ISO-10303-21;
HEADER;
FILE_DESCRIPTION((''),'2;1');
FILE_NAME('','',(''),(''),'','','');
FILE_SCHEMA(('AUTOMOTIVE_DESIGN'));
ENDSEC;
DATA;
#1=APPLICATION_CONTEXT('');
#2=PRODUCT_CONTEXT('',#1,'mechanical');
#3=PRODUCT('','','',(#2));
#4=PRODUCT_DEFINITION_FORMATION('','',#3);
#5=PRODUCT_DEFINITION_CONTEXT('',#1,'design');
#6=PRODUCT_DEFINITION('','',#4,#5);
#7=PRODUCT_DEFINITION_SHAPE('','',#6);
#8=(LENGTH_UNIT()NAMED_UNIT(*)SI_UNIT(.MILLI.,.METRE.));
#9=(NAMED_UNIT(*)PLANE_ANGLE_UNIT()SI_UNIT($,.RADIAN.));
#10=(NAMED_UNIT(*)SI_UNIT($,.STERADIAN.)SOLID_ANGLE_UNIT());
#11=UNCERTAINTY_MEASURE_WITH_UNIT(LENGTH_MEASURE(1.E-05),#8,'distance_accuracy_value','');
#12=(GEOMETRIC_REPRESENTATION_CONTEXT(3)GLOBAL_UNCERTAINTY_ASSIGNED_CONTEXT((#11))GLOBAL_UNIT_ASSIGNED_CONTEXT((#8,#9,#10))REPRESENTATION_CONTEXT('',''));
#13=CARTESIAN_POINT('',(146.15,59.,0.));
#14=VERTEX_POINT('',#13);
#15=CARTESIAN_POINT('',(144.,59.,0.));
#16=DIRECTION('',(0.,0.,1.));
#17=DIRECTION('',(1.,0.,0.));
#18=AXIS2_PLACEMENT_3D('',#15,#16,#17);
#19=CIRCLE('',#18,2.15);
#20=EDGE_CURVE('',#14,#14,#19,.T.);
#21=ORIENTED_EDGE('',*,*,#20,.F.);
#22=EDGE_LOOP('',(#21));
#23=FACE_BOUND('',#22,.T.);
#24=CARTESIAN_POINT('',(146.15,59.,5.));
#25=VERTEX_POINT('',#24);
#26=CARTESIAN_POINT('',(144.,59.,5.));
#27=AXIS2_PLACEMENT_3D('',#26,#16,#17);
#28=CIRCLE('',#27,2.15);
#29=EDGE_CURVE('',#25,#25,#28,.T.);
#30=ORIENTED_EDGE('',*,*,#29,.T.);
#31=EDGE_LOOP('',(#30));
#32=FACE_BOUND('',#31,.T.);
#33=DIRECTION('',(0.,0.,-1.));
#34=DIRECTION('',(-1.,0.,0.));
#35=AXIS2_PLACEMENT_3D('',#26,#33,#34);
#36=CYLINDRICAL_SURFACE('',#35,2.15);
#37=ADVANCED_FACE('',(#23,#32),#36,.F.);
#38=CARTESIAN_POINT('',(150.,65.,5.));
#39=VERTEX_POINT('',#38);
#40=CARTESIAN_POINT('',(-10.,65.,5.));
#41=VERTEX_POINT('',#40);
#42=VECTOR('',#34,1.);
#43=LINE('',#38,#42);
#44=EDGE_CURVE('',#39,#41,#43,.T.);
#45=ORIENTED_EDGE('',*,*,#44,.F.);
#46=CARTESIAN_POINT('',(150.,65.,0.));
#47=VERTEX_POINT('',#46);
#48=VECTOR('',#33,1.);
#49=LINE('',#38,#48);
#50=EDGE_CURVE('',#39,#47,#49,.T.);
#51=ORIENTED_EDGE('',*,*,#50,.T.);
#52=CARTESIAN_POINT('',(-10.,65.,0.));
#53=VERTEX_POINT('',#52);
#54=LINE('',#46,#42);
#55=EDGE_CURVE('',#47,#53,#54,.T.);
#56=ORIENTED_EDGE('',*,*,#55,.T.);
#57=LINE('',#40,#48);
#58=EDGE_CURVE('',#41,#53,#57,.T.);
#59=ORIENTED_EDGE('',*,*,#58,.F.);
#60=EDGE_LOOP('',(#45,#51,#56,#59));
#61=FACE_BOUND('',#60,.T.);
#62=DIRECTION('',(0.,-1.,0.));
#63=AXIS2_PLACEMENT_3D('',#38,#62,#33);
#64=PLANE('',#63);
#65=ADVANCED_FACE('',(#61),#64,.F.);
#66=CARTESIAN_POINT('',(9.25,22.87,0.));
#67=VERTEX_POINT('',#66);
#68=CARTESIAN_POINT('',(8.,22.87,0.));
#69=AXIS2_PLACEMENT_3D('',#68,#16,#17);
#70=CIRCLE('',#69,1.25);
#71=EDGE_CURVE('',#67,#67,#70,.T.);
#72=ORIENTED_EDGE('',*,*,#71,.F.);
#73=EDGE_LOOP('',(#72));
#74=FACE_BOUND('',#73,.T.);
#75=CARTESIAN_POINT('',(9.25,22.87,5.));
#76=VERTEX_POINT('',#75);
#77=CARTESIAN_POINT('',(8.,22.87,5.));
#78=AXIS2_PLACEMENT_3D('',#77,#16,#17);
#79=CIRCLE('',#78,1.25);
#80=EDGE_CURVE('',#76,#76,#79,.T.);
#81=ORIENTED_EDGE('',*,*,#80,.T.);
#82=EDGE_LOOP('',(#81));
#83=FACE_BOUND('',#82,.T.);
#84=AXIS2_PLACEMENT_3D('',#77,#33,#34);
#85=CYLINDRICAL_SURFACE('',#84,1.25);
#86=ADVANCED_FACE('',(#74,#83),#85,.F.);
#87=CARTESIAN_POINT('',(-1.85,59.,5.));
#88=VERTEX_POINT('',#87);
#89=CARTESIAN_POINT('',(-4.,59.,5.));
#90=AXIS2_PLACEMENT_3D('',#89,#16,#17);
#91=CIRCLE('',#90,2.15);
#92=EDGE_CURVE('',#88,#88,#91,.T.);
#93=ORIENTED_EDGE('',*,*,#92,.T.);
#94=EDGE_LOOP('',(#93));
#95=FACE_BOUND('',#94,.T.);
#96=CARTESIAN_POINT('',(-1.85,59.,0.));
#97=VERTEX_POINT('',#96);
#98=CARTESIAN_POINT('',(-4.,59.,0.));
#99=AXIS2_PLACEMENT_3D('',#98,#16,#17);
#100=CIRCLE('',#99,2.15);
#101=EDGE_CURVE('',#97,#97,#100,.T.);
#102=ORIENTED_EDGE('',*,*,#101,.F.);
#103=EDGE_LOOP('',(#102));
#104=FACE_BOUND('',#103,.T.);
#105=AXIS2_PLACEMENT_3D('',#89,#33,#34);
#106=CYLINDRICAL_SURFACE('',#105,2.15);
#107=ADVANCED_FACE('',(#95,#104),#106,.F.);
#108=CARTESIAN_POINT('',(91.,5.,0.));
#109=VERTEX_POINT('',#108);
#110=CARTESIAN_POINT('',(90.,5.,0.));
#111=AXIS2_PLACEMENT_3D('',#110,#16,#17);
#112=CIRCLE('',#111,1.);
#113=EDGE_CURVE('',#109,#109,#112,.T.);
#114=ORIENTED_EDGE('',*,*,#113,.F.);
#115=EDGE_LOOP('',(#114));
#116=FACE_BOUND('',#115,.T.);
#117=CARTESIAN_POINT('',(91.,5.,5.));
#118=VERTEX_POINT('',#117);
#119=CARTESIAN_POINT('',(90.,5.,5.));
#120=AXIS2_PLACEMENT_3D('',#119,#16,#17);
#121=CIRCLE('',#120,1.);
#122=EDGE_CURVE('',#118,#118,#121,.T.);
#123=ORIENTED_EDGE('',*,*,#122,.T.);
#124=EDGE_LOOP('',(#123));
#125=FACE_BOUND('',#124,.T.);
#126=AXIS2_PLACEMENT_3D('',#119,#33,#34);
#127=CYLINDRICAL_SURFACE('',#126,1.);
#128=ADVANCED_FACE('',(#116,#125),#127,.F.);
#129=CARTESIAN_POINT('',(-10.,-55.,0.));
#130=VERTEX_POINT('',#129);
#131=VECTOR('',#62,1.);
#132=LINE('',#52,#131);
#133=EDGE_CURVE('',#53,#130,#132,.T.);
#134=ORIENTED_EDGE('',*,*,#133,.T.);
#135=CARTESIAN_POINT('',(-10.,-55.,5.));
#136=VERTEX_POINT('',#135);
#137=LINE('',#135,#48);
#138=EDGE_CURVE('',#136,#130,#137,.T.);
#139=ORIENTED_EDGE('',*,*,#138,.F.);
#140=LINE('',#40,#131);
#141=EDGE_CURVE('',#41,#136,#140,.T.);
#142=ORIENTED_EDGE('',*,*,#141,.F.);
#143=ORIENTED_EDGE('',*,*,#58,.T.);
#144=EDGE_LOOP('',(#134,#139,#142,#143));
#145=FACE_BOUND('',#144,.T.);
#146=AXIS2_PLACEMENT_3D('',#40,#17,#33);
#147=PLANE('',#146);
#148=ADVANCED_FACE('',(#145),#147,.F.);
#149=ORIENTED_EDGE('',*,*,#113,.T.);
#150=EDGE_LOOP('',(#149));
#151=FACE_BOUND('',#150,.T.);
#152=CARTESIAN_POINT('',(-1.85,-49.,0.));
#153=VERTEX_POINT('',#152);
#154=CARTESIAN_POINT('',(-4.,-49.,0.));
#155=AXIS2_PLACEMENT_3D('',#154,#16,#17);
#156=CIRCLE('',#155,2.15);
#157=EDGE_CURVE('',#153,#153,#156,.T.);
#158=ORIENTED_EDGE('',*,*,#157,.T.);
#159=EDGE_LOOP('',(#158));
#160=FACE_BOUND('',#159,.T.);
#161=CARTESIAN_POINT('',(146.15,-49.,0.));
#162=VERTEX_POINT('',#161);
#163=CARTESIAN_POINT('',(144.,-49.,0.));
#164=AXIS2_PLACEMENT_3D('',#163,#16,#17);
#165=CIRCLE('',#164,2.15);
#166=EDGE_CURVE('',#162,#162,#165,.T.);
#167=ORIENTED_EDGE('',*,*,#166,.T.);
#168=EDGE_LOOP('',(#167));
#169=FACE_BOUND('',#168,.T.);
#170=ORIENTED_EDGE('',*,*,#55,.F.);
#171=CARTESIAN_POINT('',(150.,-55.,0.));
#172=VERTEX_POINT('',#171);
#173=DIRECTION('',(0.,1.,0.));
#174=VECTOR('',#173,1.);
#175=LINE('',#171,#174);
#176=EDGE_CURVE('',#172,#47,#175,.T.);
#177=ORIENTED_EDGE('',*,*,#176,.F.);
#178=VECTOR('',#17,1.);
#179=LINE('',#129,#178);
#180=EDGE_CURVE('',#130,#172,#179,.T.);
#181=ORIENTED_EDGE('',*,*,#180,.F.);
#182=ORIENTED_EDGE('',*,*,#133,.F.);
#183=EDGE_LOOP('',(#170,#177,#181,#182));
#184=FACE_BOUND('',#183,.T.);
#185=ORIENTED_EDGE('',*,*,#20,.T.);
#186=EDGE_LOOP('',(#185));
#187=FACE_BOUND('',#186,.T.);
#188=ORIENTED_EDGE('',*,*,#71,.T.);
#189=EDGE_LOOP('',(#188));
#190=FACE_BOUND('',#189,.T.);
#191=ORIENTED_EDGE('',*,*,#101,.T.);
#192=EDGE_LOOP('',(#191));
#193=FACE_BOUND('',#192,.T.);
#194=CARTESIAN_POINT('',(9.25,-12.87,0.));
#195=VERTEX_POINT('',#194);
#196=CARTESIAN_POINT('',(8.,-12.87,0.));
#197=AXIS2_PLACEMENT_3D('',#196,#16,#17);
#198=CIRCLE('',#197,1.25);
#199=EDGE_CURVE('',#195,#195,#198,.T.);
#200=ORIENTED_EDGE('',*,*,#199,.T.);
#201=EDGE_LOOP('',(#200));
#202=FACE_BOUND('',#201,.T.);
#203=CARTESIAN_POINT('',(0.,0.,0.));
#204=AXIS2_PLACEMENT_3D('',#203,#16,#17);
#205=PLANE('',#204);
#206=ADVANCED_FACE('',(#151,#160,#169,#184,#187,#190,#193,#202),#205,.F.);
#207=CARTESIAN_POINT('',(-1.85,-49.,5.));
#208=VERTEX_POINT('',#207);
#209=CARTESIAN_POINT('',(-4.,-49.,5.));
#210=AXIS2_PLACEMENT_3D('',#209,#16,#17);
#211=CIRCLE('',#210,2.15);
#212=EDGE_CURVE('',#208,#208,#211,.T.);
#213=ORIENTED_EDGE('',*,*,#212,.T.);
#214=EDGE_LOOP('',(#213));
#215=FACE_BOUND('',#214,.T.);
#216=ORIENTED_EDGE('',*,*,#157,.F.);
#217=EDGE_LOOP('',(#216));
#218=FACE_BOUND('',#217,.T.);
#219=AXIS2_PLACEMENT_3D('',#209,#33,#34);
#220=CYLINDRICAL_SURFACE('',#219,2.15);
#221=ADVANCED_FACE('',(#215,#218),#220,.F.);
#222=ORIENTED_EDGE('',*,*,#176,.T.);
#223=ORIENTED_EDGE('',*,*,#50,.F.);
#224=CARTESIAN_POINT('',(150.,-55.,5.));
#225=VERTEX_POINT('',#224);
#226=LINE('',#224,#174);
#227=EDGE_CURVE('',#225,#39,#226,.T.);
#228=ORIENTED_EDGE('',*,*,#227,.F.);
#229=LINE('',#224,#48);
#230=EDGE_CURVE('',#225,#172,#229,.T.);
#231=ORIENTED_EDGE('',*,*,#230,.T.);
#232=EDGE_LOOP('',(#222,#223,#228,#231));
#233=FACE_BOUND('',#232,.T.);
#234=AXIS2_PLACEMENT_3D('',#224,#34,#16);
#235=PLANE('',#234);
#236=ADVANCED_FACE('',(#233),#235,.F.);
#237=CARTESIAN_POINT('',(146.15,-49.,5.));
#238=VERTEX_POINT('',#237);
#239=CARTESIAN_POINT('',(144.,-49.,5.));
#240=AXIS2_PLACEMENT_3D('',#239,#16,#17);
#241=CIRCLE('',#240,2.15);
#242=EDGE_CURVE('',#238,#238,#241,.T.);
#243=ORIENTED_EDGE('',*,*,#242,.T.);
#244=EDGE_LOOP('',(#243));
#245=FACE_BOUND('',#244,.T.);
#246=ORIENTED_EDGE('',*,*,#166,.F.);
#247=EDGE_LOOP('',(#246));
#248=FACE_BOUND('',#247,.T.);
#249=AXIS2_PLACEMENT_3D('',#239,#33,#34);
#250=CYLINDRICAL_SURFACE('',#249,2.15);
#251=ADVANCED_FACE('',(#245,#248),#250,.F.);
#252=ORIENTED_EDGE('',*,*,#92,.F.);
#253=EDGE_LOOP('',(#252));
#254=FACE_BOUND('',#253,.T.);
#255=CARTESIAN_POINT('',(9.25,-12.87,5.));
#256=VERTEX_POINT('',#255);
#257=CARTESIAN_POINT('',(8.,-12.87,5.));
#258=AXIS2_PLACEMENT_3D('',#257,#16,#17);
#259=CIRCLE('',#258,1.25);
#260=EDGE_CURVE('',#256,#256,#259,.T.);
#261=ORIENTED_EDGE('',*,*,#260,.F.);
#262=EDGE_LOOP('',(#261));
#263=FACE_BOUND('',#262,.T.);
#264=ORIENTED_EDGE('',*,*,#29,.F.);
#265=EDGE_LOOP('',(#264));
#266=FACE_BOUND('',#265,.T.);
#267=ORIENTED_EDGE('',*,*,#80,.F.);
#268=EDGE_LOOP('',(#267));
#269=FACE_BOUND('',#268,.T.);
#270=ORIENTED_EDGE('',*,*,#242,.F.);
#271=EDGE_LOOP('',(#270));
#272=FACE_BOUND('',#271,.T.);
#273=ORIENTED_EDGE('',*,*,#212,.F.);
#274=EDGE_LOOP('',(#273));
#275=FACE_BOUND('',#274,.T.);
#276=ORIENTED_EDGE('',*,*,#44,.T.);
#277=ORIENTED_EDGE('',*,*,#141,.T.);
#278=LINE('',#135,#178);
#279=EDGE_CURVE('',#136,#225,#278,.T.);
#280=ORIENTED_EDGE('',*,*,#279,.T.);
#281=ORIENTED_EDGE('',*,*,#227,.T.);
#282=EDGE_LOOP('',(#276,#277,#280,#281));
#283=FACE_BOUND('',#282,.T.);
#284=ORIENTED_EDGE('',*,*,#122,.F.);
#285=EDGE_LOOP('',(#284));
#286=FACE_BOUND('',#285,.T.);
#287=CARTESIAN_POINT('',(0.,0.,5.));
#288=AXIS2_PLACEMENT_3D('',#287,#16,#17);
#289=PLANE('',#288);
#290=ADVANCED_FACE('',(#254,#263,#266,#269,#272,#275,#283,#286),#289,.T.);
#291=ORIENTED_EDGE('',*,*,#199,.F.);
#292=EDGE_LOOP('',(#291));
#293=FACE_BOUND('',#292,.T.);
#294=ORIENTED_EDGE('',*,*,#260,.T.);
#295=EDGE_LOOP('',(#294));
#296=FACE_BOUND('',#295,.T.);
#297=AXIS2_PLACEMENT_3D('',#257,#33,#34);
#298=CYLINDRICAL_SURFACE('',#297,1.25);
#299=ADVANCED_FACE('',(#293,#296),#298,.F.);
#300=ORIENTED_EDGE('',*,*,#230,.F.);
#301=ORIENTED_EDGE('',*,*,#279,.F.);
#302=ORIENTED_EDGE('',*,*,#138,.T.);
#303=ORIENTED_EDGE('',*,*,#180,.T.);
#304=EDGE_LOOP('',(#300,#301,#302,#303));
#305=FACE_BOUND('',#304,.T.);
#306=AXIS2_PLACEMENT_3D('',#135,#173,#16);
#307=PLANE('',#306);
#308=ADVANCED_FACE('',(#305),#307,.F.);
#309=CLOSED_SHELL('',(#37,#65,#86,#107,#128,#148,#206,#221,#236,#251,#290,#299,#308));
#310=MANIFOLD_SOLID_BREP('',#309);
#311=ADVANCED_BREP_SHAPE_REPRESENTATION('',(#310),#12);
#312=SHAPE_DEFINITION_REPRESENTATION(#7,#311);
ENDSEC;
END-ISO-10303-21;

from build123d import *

# Parameters (mm, degrees)
SKETCH1_W           = 160
SKETCH1_H           = 120
SKETCH1_R           = 1
SKETCH1_R_2         = 1.25
SKETCH1_R_3         = 2.15
BOSS_EXTRUDE1_DEPTH = 5


with BuildPart() as part:
    # Sketch1 → Boss-Extrude1 (new body)
    with BuildSketch(Plane.XY):
        with Locations((70, 5)):
            Rectangle(SKETCH1_W, SKETCH1_H)
        with Locations((90, 5)):
            Circle(SKETCH1_R, mode=Mode.SUBTRACT)
        with Locations((8, -12.87)):
            Circle(SKETCH1_R_2, mode=Mode.SUBTRACT)
        with Locations((8, 22.87)):
            Circle(SKETCH1_R_2, mode=Mode.SUBTRACT)
        with Locations((-4, -49)):
            Circle(SKETCH1_R_3, mode=Mode.SUBTRACT)
        with Locations((144, -49)):
            Circle(SKETCH1_R_3, mode=Mode.SUBTRACT)
        with Locations((144, 59)):
            Circle(SKETCH1_R_3, mode=Mode.SUBTRACT)
        with Locations((-4, 59)):
            Circle(SKETCH1_R_3, mode=Mode.SUBTRACT)
    extrude(amount=BOSS_EXTRUDE1_DEPTH)


solid = part.part
